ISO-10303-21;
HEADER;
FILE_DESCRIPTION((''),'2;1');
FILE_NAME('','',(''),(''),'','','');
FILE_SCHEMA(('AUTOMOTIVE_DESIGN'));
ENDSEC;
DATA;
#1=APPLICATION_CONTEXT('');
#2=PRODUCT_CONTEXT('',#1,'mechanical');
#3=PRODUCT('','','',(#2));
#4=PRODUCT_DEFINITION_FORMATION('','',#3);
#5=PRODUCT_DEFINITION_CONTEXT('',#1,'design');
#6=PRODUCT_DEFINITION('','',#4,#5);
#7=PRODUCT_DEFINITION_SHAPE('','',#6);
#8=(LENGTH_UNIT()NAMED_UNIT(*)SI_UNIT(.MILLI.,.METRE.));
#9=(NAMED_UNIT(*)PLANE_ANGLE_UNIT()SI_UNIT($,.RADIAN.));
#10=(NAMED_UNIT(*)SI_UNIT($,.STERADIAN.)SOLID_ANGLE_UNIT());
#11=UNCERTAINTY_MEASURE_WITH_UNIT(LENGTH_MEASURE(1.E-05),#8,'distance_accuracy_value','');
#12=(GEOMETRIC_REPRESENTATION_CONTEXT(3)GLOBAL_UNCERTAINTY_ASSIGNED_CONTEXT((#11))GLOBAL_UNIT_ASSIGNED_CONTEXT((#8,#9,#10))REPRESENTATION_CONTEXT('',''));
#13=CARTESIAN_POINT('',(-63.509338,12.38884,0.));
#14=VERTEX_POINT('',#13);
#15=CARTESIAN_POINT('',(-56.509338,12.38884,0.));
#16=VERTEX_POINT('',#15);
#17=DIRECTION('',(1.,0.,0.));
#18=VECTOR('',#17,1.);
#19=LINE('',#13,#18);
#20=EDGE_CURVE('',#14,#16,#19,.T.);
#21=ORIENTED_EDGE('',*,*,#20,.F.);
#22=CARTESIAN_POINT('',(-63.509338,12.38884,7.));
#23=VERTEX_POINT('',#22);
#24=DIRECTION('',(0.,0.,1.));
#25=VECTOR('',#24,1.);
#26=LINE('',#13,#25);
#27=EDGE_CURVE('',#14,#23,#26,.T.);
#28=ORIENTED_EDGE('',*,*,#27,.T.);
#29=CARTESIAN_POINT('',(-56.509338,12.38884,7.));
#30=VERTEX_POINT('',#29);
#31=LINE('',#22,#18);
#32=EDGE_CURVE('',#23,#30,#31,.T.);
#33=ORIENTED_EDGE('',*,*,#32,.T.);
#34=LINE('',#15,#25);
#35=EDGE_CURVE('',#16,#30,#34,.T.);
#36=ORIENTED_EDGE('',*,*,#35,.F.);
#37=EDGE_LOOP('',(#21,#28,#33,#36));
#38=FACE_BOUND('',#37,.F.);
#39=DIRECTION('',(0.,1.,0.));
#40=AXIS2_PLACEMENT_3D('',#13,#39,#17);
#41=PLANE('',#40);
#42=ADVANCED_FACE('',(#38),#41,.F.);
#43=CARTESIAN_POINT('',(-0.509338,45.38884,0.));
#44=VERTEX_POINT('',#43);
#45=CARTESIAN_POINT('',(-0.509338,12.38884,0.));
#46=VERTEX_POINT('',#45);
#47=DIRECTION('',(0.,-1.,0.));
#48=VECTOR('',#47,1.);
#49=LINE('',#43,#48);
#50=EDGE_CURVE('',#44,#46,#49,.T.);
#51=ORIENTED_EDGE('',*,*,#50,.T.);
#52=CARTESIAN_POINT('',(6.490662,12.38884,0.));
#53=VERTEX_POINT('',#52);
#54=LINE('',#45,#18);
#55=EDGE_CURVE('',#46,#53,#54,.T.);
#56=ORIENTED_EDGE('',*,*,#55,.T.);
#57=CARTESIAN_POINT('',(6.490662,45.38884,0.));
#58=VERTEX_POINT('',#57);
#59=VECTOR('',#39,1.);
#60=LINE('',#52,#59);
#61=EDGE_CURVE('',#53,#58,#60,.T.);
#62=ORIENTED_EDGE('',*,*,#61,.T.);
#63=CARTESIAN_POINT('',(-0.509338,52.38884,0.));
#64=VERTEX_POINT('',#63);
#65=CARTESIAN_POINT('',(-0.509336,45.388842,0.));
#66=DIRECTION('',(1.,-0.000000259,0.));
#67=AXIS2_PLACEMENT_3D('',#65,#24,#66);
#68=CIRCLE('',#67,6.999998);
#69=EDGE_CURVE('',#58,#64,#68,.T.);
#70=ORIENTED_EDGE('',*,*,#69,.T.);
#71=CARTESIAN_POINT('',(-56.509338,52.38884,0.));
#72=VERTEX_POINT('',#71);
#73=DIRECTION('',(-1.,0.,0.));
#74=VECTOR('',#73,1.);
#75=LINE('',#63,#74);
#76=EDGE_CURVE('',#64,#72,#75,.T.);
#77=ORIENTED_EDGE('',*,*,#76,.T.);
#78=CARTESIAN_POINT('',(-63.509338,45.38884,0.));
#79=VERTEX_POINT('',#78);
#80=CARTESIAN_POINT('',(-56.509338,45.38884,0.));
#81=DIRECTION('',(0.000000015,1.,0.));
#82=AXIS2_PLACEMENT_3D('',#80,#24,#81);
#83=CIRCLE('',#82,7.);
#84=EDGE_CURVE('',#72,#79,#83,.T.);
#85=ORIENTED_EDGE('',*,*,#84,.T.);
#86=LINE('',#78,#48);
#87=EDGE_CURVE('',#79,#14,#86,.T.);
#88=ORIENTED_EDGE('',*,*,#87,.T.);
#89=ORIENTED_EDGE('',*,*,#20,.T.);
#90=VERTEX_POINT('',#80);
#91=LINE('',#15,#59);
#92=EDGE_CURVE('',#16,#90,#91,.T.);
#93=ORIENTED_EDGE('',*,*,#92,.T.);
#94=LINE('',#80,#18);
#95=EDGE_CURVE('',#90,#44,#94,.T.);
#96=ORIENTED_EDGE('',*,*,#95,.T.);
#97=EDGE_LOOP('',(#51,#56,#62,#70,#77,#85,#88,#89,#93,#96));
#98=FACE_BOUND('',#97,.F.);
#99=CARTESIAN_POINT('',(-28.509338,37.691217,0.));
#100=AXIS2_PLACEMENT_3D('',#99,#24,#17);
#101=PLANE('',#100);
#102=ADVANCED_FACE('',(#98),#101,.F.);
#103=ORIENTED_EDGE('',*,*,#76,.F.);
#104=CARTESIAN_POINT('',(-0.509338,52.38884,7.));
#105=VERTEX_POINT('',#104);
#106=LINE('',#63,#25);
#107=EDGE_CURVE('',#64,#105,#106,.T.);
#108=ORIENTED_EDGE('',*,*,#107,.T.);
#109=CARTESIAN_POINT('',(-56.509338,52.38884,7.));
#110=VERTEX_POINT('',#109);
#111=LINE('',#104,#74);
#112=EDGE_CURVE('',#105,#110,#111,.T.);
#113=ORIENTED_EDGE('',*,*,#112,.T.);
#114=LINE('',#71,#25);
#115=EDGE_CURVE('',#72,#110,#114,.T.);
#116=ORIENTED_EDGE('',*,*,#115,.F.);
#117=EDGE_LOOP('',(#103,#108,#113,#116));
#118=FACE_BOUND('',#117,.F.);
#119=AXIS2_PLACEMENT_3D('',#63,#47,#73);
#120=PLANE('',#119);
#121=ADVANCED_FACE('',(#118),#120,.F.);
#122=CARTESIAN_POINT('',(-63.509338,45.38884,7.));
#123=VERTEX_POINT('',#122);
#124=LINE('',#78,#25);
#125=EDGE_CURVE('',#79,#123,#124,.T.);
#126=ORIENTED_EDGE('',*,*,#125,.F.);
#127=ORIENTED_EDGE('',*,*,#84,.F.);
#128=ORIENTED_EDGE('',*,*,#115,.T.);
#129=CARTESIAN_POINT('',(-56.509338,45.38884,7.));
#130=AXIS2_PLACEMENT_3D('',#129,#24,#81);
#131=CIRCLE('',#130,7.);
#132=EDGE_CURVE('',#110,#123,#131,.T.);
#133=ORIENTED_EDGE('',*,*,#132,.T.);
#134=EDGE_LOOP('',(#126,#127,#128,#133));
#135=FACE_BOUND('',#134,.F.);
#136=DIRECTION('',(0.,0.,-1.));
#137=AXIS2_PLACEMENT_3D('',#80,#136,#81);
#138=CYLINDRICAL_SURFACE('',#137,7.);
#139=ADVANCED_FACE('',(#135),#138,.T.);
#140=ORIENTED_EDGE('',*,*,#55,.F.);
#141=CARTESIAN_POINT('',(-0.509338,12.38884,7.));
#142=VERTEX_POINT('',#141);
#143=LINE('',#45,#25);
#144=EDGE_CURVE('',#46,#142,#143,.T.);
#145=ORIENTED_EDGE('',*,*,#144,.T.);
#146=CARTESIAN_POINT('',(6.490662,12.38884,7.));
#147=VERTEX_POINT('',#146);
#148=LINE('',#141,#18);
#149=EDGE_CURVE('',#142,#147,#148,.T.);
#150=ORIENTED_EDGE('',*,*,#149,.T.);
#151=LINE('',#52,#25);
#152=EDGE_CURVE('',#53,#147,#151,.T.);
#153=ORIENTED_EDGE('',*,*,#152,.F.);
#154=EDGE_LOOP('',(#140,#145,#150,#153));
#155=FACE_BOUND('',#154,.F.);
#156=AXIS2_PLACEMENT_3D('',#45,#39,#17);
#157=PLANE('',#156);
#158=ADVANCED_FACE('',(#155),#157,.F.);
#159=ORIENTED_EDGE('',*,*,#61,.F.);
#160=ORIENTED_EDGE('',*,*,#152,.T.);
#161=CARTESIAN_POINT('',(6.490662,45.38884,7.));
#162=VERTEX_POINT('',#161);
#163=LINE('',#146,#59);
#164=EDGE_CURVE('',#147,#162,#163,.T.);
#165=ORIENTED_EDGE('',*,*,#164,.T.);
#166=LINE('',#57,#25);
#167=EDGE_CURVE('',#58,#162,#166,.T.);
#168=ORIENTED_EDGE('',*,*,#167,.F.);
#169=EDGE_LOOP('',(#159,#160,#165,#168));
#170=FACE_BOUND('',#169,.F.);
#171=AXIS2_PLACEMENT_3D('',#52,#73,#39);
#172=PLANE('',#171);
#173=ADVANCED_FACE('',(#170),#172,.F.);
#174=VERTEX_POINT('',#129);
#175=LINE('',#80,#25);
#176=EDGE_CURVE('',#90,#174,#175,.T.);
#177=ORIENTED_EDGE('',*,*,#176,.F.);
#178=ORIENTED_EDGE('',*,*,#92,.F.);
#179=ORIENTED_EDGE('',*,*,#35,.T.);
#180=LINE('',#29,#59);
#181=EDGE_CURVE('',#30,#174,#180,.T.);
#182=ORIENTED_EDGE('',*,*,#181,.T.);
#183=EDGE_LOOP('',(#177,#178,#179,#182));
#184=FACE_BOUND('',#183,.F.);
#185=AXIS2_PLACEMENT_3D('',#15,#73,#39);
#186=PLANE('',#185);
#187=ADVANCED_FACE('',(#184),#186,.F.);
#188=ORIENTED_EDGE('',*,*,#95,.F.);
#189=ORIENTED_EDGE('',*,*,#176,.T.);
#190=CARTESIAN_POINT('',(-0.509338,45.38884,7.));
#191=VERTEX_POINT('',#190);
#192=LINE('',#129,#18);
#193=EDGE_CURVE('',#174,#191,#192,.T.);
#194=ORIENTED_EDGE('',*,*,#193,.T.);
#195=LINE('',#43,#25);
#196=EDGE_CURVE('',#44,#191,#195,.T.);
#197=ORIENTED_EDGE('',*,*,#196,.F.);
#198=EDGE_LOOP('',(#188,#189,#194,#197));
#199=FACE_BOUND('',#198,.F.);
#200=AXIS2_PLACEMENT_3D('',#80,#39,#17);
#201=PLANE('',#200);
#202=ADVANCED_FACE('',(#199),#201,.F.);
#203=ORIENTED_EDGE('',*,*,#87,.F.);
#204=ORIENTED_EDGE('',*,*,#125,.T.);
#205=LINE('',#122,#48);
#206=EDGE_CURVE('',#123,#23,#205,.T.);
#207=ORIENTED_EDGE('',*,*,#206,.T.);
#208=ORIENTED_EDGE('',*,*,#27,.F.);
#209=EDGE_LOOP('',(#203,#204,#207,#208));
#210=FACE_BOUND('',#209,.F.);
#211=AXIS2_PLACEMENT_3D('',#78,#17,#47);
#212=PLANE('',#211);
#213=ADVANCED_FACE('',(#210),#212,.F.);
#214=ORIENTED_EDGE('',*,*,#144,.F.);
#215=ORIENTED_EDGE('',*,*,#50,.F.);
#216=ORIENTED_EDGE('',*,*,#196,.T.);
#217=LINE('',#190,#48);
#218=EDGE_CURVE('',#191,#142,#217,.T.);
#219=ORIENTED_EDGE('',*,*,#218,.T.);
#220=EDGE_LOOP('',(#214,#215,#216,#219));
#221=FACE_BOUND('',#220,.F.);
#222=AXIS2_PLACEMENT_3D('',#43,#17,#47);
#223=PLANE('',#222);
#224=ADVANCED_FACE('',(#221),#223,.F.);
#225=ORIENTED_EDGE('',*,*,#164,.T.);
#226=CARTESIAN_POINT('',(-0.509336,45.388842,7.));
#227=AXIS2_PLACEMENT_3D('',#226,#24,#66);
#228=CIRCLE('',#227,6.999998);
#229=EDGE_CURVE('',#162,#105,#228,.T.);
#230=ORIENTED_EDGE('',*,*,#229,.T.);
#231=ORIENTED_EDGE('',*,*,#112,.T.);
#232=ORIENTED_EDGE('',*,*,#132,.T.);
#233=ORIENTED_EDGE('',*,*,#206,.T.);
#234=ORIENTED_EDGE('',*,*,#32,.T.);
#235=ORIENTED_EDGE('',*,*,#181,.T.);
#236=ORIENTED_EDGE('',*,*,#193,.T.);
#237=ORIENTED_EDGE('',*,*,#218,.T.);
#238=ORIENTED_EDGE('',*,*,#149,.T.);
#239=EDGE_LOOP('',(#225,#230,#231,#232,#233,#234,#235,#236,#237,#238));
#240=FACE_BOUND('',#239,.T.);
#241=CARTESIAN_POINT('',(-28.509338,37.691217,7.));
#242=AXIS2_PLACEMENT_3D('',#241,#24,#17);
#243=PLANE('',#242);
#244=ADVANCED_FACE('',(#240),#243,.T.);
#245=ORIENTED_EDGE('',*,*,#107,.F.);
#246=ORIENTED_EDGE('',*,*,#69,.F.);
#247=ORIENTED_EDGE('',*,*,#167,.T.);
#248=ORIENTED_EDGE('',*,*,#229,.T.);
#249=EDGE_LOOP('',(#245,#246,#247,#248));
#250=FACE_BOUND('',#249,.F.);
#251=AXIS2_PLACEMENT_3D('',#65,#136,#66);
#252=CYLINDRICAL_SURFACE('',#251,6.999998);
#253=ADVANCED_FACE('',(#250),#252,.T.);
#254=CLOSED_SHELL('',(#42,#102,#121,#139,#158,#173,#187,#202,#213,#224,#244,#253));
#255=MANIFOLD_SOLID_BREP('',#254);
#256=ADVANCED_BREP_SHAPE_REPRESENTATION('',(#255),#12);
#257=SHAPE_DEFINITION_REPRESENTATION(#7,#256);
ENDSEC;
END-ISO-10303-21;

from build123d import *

# Parameters (mm, degrees)
F1_DEPTH = 7


with BuildPart() as f1:
    # F0 (on Top) → F1 (new body)
    with BuildSketch(Plane.XY):
        with BuildLine():
            Line((-63.509338, 45.38884), (-63.509338, 12.38884))
            Line((-63.509338, 12.38884), (-56.509338, 12.38884))
            Line((-56.509338, 12.38884), (-56.509338, 45.38884))
            Line((-56.509338, 45.38884), (-0.509338, 45.38884))
            Line((-0.509338, 45.38884), (-0.509338, 12.38884))
            Line((-0.509338, 12.38884), (6.490662, 12.38884))
            Line((6.490662, 12.38884), (6.490662, 45.38884))
            ThreePointArc((6.490662, 45.38884), (4.44041, 50.338588), (-0.509338, 52.38884))
            Line((-0.509338, 52.38884), (-56.509338, 52.38884))
            ThreePointArc((-56.509338, 52.38884), (-61.459085, 50.338588), (-63.509338, 45.38884))
        make_face()
    extrude(amount=F1_DEPTH)


solid = f1.part
